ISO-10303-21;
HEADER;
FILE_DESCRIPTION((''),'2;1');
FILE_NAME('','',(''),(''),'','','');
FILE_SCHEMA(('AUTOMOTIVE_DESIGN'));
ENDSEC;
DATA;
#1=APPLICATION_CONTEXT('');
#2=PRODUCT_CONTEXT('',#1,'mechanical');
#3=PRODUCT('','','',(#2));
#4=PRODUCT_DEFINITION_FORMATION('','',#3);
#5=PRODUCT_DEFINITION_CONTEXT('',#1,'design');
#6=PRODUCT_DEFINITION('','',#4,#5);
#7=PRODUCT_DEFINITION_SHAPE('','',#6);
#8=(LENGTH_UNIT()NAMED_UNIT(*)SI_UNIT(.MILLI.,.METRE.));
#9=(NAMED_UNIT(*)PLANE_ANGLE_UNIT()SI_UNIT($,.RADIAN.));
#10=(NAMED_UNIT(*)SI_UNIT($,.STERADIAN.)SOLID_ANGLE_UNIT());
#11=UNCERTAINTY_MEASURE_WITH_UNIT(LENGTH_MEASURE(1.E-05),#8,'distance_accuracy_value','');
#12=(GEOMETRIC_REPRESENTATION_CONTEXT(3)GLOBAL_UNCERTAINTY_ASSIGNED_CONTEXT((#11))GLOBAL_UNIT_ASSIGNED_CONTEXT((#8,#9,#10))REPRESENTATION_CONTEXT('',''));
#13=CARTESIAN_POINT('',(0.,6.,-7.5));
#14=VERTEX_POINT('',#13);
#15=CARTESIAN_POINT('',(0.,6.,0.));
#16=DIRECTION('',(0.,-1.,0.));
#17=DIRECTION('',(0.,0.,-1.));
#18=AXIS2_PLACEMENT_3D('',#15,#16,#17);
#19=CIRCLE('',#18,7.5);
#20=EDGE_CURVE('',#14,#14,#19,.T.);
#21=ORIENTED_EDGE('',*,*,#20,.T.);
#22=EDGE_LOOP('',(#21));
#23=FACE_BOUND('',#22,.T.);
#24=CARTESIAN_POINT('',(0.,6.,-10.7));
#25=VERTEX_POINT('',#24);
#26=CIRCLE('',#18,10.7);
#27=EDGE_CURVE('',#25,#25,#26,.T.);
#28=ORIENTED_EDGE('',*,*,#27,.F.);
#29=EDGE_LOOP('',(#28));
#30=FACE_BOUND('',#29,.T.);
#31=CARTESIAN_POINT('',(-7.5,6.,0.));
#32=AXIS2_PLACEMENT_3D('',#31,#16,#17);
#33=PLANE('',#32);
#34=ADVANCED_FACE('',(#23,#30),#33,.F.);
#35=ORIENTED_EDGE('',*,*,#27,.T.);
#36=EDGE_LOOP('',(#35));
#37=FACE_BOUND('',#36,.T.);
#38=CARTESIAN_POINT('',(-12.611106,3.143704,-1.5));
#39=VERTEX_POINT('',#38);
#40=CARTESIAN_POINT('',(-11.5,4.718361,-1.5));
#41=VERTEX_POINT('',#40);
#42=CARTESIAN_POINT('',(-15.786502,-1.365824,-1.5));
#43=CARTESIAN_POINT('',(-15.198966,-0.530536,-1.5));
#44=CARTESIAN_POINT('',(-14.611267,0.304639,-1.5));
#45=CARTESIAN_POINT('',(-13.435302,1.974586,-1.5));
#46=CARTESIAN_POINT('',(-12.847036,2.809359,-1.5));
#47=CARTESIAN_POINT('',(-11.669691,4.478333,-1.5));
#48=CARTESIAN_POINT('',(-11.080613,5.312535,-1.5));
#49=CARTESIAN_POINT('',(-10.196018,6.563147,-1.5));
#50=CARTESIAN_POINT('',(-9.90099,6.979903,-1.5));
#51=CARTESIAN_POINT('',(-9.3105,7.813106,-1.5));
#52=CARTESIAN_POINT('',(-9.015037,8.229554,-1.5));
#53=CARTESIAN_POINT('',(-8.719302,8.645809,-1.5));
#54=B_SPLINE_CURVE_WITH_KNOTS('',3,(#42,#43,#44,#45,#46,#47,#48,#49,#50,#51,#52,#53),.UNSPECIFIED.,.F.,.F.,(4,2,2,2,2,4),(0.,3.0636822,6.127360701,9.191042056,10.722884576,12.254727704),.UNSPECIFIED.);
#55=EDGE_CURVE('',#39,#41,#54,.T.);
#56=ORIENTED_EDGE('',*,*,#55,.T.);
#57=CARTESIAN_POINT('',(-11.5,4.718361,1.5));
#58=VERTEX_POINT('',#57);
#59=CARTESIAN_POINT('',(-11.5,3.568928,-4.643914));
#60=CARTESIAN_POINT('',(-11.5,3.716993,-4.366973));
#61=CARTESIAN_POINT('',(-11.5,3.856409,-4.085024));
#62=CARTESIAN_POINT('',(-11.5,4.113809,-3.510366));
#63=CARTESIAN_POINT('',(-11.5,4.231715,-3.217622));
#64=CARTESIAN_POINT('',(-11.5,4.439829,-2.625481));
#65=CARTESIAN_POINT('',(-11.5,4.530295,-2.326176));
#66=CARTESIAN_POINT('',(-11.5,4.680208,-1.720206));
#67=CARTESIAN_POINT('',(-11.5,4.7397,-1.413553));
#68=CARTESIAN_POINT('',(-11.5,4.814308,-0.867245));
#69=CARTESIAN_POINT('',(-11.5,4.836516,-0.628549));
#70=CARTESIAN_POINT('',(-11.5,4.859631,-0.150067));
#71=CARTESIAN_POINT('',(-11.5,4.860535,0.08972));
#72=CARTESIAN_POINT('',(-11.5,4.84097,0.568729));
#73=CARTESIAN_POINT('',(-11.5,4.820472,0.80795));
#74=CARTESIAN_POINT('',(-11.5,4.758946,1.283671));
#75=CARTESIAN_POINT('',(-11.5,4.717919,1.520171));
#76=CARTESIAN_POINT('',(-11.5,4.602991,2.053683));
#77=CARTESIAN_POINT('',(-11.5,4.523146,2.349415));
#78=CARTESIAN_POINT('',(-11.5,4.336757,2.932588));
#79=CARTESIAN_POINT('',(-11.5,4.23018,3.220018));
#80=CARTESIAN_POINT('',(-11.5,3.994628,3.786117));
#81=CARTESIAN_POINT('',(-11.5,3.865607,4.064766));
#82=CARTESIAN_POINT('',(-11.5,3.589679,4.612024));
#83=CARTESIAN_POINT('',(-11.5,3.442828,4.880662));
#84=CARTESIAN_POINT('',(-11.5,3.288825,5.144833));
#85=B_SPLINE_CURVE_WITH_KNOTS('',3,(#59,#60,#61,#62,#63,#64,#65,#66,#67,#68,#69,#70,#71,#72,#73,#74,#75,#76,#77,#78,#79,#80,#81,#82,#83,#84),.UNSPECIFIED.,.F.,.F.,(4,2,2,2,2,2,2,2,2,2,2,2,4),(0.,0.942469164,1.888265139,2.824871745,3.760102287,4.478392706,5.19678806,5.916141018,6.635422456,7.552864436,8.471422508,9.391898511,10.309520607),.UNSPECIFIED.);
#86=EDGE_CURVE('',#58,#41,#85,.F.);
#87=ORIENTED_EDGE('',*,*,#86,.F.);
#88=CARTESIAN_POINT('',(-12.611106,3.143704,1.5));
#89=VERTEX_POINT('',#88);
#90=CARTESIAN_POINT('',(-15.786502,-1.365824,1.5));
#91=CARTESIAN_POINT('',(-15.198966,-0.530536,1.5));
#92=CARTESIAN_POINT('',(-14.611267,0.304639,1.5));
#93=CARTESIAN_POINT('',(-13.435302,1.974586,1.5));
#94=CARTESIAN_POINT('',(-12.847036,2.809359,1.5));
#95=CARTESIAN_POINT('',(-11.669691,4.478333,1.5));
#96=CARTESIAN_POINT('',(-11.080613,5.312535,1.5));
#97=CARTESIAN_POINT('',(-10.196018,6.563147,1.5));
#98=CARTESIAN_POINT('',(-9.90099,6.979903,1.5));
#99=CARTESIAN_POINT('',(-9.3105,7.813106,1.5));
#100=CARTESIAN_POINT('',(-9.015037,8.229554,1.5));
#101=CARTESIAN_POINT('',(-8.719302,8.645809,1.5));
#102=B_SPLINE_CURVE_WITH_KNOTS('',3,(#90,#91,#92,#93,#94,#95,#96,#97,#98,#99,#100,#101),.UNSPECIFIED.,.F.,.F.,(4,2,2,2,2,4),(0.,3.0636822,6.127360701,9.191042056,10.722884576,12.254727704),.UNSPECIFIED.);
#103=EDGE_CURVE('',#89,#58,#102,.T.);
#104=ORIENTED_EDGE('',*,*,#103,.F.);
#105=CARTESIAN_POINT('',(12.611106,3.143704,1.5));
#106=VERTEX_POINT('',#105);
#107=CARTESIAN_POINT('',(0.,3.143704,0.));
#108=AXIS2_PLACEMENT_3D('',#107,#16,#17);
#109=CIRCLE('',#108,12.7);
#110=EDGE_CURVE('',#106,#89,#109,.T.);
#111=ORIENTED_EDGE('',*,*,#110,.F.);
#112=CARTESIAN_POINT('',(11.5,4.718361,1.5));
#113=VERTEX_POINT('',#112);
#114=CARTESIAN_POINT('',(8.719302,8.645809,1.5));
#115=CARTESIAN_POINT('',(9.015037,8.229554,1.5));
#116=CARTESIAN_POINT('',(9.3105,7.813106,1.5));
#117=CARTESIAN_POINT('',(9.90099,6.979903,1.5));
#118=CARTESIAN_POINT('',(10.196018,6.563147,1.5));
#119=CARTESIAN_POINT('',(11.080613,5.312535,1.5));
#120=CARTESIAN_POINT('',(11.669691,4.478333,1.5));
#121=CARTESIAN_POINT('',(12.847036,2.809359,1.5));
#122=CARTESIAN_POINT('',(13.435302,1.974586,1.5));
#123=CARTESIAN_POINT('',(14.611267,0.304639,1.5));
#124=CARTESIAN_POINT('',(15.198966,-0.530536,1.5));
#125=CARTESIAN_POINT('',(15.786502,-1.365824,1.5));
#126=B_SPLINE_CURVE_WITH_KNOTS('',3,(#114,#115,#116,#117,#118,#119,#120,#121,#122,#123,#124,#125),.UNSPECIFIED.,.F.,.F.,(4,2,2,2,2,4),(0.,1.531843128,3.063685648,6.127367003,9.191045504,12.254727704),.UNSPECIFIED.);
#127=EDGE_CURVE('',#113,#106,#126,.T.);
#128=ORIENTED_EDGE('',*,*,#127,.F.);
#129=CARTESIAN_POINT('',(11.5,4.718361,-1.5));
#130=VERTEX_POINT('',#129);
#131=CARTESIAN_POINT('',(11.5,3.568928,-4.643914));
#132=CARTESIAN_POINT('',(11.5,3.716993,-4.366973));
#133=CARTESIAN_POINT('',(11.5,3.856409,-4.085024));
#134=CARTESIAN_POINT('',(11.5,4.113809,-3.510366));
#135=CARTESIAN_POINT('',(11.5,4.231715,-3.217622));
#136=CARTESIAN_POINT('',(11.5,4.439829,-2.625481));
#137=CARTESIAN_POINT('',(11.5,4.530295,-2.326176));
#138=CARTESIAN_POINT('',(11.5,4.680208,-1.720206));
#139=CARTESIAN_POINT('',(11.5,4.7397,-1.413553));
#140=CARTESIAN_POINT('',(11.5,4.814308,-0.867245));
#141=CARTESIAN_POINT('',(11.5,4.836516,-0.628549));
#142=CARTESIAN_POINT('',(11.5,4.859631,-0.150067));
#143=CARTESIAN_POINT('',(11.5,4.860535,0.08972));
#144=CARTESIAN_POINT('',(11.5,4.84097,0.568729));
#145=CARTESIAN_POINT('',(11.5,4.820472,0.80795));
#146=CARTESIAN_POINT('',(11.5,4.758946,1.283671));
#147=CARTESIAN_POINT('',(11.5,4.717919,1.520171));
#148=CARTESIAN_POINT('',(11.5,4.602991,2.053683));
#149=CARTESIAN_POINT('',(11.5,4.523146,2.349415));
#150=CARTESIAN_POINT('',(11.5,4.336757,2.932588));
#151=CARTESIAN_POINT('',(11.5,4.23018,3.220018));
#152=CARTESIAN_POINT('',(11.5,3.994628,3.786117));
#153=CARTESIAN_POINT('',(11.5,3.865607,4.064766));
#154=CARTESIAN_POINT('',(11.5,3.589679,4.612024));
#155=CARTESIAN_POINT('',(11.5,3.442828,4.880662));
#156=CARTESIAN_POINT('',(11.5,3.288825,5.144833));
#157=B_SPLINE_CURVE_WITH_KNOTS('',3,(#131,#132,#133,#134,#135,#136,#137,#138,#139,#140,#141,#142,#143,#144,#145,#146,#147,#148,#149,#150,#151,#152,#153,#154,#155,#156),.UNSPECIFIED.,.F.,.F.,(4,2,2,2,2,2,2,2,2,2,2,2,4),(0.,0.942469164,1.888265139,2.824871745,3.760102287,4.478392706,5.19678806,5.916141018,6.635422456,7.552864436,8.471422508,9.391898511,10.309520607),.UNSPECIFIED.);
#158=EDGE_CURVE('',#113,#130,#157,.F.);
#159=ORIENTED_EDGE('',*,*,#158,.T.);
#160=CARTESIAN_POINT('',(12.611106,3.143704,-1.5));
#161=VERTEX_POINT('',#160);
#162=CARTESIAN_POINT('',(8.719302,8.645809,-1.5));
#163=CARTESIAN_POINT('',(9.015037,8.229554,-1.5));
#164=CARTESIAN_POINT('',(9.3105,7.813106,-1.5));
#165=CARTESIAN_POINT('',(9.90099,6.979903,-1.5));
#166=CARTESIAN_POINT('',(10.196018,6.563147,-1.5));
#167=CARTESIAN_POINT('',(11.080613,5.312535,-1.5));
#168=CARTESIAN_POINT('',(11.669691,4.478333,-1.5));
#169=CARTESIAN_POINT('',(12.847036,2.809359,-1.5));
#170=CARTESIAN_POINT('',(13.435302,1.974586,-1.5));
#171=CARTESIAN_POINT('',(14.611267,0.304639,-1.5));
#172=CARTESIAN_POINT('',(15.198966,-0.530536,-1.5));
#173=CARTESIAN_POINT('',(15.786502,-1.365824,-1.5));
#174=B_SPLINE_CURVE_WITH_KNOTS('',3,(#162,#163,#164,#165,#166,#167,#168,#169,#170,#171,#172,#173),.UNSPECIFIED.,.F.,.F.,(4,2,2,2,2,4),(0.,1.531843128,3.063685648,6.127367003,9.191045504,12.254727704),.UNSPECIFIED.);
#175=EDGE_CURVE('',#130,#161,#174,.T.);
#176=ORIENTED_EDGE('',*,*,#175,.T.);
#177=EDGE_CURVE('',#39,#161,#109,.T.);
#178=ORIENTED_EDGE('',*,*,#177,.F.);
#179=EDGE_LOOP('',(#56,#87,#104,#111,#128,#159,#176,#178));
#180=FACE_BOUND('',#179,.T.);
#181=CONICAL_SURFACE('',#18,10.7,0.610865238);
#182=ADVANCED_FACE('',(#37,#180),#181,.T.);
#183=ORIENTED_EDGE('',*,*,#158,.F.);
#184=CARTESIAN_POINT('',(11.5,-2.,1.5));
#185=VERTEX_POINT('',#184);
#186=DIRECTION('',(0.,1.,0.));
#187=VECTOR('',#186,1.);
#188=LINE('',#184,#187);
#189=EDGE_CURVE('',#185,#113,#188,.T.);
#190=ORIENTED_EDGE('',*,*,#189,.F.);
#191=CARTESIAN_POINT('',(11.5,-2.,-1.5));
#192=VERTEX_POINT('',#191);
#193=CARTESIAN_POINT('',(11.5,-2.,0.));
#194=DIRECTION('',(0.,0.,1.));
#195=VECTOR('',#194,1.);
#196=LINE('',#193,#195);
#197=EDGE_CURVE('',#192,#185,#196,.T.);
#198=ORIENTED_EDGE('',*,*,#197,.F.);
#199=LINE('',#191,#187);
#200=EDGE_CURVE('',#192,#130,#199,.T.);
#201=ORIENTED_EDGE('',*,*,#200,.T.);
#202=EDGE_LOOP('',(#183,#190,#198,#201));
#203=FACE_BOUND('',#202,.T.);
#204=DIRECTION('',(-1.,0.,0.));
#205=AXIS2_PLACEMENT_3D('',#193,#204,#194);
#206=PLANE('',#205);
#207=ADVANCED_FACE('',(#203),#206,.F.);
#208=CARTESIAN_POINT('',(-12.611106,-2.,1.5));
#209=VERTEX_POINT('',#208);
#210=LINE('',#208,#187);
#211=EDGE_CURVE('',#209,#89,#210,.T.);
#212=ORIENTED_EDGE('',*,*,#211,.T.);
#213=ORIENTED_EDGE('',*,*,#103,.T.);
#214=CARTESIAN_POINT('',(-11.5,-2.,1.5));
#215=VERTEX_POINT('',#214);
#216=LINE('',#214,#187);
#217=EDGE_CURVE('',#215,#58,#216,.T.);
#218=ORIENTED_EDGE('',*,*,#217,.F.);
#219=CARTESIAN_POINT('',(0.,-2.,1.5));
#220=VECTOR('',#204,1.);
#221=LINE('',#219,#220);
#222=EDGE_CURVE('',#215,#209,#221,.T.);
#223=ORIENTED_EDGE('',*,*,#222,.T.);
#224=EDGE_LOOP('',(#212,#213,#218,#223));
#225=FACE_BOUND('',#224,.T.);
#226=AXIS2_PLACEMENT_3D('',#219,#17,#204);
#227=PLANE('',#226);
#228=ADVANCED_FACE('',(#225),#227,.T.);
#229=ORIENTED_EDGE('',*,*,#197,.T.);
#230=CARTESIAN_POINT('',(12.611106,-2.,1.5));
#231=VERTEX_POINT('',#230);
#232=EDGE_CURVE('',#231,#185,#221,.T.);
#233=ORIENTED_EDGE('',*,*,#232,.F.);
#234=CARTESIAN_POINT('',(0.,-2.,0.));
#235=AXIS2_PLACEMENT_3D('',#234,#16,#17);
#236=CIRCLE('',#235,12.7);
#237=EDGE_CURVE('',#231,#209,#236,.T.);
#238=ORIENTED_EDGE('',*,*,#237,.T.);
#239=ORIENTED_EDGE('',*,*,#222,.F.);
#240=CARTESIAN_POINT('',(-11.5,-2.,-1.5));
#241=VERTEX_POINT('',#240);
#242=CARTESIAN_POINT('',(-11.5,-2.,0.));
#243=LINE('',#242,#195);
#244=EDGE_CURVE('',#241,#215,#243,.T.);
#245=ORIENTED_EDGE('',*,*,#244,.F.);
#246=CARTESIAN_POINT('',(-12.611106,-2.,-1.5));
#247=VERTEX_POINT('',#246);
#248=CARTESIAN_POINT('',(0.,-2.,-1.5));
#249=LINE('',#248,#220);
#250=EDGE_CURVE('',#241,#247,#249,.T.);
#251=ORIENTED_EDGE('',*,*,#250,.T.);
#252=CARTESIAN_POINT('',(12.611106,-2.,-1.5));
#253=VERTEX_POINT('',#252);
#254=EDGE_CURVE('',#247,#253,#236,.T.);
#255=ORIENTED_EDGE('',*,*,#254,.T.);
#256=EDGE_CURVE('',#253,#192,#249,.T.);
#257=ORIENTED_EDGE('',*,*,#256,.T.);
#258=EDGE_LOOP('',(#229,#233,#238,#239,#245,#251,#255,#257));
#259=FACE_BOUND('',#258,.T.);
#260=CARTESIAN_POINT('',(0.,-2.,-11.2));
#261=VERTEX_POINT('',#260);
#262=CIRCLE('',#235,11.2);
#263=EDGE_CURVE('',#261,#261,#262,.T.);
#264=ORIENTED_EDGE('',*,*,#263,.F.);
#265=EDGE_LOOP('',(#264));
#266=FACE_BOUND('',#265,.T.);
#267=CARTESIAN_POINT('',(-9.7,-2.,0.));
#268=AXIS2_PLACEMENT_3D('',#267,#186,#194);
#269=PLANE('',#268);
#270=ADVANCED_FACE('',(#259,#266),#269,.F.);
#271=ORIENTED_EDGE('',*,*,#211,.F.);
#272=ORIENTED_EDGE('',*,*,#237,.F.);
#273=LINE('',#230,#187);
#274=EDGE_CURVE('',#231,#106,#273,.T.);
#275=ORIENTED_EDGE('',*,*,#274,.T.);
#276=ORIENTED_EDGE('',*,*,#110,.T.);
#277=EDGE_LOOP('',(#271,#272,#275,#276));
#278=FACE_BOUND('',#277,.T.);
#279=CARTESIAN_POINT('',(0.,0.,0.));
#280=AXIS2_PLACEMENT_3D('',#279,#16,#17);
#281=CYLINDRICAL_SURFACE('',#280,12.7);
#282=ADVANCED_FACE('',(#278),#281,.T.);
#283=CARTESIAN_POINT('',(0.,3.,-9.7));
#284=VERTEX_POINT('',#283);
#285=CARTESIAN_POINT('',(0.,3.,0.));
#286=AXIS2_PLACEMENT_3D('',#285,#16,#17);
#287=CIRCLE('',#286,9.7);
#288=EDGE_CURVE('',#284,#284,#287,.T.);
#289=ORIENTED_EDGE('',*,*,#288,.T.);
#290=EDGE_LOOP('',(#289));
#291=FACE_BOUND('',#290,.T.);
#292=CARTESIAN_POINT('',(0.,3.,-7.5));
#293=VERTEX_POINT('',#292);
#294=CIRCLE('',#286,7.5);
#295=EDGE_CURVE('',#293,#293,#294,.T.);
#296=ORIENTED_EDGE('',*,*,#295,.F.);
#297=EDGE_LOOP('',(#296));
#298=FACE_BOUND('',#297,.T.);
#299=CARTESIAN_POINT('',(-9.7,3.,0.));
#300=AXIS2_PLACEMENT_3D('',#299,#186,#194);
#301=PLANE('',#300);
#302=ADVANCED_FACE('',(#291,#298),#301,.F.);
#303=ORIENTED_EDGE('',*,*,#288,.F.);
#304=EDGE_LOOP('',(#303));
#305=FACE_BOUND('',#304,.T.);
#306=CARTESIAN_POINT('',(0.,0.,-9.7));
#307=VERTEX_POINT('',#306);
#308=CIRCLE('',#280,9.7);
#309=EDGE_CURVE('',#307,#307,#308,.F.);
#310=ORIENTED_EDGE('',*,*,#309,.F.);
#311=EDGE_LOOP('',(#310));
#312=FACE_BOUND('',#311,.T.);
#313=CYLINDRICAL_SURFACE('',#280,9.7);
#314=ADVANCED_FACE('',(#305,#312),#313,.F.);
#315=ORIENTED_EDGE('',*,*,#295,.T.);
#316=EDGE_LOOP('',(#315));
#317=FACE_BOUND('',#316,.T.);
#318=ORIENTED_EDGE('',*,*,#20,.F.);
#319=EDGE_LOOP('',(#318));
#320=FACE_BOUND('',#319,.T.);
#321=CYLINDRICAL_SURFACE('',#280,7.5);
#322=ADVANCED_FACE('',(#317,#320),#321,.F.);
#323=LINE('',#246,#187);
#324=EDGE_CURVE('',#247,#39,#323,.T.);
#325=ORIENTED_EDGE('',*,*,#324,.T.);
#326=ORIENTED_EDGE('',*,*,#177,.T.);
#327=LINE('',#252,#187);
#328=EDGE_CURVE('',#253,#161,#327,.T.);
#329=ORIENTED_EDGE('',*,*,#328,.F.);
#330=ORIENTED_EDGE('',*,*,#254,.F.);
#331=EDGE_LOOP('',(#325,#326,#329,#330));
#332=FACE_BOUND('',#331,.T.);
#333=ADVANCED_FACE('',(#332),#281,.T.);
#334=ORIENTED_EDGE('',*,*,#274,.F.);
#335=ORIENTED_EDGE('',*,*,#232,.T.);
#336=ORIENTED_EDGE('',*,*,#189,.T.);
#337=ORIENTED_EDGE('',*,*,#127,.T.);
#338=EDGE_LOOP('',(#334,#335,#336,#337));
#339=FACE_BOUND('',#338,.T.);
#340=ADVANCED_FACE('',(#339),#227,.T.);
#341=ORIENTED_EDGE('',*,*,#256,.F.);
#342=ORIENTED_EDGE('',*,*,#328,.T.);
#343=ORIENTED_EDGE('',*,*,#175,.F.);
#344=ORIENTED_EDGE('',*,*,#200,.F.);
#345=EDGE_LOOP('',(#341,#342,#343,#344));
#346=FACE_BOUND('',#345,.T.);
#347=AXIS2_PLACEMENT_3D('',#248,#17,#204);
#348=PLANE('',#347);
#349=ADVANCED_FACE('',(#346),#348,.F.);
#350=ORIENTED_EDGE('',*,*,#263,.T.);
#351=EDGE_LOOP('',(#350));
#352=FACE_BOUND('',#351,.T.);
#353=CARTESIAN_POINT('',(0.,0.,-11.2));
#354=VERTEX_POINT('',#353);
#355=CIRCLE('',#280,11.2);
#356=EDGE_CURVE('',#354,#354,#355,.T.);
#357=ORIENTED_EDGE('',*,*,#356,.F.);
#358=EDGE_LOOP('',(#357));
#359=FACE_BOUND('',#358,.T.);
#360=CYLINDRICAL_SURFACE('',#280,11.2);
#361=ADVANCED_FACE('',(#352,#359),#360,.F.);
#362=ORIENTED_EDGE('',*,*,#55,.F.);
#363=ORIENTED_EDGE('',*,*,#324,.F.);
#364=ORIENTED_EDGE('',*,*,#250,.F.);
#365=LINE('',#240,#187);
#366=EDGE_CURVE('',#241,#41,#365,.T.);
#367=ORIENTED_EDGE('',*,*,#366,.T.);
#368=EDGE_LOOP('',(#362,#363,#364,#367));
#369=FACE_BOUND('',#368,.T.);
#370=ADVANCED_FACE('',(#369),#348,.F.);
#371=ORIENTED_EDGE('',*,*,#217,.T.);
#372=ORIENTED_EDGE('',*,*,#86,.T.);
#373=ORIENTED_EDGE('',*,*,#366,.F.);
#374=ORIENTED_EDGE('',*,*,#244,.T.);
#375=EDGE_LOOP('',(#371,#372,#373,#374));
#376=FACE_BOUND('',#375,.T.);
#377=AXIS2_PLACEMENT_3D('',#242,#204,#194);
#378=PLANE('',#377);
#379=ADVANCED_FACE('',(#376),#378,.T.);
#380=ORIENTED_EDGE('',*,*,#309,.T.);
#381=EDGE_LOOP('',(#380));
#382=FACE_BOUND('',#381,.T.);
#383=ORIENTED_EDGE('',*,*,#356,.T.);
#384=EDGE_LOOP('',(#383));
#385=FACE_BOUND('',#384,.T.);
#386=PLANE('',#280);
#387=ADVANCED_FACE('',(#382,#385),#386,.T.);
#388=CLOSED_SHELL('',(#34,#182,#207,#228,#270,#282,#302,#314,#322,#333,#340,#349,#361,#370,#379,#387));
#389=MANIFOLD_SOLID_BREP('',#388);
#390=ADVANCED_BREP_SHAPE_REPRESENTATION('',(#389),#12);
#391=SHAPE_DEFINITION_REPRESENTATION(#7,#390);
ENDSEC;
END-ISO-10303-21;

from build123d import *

# Parameters (mm, degrees)
SKETCH4_R          = 11.2
SKETCH4_R_2        = 9.7
CUT_EXTRUDE1_DEPTH = 2
CUT_EXTRUDE5_DEPTH = 20.661637775


with BuildPart() as part:
    # Sketch1 → Revolve1 (revolve)
    with BuildSketch(Plane.XY, mode=Mode.PRIVATE) as revolve1_sk:
        Polygon((-9.7, 0), (-9.7, -2), (-12.7, -2), (-12.7, 3.143703987), (-10.7, 6), (-7.5, 6), (-7.5, 3), (-9.7, 3), align=None)
    revolve(revolve1_sk.sketch.rotate(Axis((0, 0, 0), (0, 1, 0)), 270), axis=Axis((0, 0, 0), (0, 1, 0)))

    # Sketch4 → Cut-Extrude1 (cut)
    with BuildSketch(Plane.XZ.offset(2)):
        with Locations(Location((0, 0, 0), (0, 0, 270))):
            Circle(SKETCH4_R)
        with Locations(Location((0, 0, 0), (0, 0, 270))):
            Circle(SKETCH4_R_2, mode=Mode.SUBTRACT)
    extrude(amount=-CUT_EXTRUDE1_DEPTH, mode=Mode.SUBTRACT)

    # Sketch8 → Cut-Extrude5 (cut, through all)
    with BuildSketch(Plane(origin=(0, 6, 0), x_dir=(1, 0, 0), z_dir=(0, 1, 0))):
        with BuildLine():
            Line((-11.5, -1.5), (-11.5, 1.5))
            Line((-11.5, 1.5), (-12.611106216, 1.5))
            ThreePointArc((-12.611106216, 1.5), (-12.7, 0), (-12.611106216, -1.5))
            Line((-12.611106216, -1.5), (-11.5, -1.5))
        make_face()
        with BuildLine():
            Line((12.611106216, 1.5), (11.5, 1.5))
            Line((11.5, 1.5), (11.5, -1.5))
            Line((11.5, -1.5), (12.611106216, -1.5))
            ThreePointArc((12.611106216, -1.5), (12.677757076, -0.751315863), (12.7, 0))
            ThreePointArc((12.7, 0), (12.677757076, 0.751315863), (12.611106216, 1.5))
        make_face()
    extrude(amount=-CUT_EXTRUDE5_DEPTH, mode=Mode.SUBTRACT)


solid = part.part
